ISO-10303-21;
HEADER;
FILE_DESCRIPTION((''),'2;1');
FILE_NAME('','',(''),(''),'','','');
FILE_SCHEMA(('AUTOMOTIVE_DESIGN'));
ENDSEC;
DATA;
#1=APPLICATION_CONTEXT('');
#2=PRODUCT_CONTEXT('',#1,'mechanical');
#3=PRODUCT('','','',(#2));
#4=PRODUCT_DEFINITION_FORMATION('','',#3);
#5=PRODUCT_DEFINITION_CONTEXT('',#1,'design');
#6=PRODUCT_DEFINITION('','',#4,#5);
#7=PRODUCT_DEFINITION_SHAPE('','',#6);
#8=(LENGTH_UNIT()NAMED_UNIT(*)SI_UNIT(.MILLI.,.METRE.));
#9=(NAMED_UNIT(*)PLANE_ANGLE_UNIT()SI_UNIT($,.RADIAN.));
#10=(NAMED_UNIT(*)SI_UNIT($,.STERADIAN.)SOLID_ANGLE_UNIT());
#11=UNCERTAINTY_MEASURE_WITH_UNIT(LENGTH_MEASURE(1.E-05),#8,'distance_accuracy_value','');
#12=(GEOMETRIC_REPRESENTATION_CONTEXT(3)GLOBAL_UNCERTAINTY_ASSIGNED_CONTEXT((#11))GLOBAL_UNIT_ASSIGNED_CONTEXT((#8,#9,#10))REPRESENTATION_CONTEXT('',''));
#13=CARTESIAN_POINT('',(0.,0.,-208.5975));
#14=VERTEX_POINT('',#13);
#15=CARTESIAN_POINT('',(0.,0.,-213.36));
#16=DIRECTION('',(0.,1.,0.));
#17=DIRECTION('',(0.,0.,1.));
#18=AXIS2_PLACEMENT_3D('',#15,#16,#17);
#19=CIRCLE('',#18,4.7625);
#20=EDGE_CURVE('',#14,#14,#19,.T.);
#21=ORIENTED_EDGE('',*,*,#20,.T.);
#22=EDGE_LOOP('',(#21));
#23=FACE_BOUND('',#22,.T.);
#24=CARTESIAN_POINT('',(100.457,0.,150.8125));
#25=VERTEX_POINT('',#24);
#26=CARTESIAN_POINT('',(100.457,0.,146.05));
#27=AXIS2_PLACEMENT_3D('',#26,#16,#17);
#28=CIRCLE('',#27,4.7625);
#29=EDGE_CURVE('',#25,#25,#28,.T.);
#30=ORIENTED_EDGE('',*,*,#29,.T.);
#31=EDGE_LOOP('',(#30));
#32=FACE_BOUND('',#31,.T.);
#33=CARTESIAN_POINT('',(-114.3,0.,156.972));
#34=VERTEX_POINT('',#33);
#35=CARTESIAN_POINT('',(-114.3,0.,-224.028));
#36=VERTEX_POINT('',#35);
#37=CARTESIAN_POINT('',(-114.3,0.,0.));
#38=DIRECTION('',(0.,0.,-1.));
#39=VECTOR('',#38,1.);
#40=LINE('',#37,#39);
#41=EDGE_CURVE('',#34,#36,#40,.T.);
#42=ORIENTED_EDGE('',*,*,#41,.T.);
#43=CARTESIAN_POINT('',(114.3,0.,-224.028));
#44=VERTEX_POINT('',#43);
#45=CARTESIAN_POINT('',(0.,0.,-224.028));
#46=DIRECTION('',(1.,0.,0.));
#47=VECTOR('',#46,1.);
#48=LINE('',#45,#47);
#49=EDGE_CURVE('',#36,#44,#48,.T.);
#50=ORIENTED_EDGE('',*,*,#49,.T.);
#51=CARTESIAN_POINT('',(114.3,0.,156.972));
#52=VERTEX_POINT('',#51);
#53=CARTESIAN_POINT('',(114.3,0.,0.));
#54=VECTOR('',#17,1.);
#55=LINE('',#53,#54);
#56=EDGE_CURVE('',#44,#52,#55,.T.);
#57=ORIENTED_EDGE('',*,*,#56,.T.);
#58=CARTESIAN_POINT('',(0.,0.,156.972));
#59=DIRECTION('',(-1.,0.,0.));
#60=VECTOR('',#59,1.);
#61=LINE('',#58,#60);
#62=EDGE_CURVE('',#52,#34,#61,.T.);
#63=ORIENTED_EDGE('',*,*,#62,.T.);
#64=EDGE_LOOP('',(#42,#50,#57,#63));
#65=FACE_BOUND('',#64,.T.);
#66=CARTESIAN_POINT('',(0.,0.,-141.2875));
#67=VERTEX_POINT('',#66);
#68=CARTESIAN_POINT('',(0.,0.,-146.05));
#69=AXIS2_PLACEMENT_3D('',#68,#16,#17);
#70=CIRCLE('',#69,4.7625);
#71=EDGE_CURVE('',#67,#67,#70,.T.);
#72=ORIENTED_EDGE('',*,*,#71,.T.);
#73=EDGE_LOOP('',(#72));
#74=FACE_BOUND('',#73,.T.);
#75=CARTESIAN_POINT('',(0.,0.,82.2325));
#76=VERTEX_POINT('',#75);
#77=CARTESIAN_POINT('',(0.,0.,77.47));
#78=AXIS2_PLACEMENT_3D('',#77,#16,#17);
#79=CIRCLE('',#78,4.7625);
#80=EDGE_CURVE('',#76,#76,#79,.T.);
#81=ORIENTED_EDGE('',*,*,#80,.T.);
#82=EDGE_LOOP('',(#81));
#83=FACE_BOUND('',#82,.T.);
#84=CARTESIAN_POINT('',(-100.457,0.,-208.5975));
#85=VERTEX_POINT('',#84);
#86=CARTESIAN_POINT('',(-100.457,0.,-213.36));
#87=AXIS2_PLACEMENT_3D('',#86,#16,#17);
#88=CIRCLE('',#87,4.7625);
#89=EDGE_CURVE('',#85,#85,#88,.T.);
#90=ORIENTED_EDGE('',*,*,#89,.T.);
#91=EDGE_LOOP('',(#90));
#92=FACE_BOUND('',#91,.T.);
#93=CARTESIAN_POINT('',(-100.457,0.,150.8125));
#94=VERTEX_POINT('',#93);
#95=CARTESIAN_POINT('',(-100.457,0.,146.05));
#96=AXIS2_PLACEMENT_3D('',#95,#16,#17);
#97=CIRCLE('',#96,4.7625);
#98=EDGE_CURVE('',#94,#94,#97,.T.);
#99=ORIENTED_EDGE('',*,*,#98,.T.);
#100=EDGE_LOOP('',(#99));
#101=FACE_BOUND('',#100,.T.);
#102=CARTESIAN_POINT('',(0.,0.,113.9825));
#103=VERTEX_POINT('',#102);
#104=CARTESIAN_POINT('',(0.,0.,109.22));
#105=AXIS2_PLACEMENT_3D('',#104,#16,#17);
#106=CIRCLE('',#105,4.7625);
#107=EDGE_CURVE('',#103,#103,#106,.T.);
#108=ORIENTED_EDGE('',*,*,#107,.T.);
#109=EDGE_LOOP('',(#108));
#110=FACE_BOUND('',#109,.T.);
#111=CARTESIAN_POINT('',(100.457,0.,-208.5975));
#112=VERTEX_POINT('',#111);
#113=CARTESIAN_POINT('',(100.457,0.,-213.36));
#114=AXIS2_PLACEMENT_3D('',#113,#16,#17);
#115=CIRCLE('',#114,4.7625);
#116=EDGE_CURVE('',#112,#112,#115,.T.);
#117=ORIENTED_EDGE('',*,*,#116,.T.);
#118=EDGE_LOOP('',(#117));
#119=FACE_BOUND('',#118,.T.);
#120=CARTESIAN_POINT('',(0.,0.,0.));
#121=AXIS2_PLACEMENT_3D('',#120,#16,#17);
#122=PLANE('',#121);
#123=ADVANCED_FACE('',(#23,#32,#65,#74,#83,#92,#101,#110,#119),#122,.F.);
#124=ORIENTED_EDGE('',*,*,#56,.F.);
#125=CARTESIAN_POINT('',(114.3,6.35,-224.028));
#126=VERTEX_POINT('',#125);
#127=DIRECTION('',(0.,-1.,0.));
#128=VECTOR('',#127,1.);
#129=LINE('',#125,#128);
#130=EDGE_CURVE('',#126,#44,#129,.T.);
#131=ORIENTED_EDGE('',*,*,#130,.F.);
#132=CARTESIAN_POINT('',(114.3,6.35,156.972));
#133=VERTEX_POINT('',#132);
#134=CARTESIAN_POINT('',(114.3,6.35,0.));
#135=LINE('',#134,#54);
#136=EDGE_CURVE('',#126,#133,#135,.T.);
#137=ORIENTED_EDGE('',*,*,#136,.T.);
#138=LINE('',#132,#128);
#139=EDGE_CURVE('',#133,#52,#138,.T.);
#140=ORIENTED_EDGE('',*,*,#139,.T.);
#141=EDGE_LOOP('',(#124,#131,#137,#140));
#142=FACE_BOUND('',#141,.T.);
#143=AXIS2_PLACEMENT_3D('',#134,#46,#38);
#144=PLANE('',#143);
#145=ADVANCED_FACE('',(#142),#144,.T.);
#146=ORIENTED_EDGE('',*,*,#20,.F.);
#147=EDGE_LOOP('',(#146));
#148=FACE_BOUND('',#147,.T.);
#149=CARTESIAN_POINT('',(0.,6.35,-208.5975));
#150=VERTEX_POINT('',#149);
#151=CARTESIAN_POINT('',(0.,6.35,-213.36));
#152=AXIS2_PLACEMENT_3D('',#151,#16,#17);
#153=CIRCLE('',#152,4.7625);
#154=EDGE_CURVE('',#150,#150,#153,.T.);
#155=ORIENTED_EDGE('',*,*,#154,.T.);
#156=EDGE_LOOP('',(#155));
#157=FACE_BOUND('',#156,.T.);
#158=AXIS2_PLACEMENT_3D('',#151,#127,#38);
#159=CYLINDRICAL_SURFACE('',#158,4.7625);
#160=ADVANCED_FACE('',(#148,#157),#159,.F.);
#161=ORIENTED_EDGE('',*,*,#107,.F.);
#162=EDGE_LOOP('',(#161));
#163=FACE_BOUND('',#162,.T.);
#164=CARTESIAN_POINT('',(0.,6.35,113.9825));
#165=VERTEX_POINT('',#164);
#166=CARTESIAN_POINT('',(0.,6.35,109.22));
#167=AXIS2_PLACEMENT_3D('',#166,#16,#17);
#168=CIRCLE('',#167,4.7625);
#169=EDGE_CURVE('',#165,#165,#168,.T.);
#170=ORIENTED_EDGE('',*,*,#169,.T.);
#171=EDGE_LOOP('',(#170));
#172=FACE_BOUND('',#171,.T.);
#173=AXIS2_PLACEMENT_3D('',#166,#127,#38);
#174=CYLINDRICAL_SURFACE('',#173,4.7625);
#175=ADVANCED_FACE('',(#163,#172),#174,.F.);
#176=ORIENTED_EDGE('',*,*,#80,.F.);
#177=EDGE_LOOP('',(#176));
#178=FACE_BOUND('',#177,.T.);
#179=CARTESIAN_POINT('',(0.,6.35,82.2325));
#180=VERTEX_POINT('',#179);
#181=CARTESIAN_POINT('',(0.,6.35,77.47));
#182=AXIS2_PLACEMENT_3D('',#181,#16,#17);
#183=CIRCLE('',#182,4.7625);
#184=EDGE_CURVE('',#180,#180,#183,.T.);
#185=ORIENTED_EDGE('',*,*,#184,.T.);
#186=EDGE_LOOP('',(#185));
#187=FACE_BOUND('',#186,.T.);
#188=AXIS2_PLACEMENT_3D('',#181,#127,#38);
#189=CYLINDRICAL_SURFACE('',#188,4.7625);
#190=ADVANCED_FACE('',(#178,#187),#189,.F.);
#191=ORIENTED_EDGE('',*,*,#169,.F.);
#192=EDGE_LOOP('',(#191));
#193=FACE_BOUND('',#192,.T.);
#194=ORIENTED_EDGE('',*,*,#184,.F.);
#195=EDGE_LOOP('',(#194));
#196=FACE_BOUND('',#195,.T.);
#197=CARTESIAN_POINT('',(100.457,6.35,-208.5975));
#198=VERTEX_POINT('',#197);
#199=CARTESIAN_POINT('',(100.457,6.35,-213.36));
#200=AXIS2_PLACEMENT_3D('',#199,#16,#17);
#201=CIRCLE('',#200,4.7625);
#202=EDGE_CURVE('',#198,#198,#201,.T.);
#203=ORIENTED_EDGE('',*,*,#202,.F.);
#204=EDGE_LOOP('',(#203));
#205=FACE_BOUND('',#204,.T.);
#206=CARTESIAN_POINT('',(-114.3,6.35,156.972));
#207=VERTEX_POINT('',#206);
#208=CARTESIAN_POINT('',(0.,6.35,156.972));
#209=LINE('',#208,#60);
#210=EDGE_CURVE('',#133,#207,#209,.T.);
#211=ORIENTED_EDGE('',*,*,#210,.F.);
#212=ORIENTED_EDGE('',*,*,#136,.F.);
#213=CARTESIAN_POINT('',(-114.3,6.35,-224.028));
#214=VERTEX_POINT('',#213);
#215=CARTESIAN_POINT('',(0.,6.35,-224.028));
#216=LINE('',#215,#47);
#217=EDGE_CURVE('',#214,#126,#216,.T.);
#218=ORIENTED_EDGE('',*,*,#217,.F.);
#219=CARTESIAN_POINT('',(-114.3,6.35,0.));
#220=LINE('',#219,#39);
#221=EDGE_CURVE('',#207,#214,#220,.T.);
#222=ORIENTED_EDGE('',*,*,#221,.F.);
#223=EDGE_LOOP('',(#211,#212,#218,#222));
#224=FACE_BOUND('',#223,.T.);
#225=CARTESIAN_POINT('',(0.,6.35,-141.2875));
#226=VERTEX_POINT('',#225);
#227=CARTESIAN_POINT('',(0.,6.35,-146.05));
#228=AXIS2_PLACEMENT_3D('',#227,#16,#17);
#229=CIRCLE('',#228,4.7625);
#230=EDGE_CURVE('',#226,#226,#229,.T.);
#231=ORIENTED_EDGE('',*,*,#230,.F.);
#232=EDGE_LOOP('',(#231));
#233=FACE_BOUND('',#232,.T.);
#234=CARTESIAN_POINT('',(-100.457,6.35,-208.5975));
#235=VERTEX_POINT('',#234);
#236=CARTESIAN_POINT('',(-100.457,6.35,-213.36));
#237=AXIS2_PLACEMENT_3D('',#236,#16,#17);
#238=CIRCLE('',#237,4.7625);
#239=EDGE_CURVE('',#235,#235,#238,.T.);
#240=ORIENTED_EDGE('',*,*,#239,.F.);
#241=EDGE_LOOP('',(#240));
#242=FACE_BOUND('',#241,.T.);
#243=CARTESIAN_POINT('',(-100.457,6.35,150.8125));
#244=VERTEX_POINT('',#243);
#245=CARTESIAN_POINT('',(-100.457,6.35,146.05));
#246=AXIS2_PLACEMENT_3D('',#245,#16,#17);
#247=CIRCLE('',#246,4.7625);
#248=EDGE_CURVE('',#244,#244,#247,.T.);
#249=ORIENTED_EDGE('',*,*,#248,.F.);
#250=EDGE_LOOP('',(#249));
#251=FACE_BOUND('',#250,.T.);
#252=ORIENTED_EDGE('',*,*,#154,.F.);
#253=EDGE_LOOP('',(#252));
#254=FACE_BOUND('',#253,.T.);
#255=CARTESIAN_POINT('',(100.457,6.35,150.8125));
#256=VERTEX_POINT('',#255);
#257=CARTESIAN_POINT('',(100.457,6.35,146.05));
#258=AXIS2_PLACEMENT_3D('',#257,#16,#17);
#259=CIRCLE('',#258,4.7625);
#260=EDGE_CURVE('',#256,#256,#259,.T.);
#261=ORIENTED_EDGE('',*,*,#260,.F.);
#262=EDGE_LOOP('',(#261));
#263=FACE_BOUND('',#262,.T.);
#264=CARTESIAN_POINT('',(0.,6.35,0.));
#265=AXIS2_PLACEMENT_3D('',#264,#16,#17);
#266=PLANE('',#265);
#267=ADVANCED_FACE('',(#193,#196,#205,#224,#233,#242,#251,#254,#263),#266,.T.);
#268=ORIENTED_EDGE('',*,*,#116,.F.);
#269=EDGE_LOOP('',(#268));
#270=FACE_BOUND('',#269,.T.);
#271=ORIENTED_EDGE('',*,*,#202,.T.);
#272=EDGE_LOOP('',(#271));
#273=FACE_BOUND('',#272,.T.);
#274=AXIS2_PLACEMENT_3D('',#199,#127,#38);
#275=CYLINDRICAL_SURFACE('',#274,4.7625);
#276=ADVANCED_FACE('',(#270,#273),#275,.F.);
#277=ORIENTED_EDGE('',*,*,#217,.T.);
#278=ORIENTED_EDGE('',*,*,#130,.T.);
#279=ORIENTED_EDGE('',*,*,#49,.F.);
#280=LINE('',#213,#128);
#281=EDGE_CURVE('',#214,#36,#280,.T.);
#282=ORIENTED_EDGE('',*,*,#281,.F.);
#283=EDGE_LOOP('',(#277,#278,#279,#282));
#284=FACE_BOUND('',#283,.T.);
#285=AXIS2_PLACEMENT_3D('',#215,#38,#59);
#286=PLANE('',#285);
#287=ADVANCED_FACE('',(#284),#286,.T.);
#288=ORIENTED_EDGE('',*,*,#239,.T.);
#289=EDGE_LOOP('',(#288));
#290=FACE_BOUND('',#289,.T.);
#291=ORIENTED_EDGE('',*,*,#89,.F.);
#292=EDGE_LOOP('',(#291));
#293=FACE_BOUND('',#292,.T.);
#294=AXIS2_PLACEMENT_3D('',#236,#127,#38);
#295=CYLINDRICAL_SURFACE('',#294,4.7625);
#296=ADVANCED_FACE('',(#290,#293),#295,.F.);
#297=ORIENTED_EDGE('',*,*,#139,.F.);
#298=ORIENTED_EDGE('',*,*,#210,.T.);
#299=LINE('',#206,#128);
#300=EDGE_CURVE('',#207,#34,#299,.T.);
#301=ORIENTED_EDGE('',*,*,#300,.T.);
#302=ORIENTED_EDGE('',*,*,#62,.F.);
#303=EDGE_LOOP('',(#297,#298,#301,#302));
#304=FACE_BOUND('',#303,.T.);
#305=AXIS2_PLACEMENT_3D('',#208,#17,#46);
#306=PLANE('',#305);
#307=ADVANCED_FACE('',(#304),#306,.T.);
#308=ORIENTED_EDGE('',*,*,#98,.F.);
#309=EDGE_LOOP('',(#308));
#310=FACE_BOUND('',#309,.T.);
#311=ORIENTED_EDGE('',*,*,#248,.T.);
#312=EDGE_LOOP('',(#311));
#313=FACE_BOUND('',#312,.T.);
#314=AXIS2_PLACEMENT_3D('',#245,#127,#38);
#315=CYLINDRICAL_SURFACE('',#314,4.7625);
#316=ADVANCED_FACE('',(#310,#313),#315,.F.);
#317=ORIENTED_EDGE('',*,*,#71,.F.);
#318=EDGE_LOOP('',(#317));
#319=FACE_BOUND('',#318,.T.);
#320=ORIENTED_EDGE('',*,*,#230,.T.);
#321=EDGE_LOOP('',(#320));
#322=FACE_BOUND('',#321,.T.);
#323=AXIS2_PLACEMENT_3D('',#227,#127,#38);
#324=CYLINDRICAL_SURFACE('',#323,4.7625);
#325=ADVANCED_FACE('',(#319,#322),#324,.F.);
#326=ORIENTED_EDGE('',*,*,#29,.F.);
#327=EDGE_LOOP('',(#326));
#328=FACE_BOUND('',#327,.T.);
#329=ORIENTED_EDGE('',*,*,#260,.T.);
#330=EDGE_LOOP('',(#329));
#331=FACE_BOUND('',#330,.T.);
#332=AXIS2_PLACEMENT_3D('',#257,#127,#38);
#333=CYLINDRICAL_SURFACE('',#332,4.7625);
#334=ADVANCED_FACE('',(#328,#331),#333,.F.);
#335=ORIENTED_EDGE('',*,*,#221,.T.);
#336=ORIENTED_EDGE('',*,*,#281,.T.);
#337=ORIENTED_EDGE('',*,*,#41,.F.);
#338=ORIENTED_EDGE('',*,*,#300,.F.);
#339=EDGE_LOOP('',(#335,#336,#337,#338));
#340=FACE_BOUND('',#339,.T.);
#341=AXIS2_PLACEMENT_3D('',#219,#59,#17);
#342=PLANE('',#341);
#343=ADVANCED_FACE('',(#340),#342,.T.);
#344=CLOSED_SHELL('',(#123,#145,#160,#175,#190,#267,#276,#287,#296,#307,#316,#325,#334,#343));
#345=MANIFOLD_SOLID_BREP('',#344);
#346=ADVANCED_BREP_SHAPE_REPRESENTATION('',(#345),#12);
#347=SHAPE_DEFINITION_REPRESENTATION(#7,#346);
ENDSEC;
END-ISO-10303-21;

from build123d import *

# Parameters (mm, degrees)
SKETCH1_W           = 228.6
SKETCH1_H           = 381
SKETCH1_R           = 4.7625
BOSS_EXTRUDE1_DEPTH = 6.35


with BuildPart() as part:
    # Sketch1 → Boss-Extrude1 (new body)
    with BuildSketch(Plane(origin=(0, 0, 0), x_dir=(1, 0, 0), z_dir=(0, 1, 0))):
        with Locations((0, 33.528)):
            Rectangle(SKETCH1_W, SKETCH1_H)
        with Locations(Location((0, 146.05, 0), (0, 0, 270))):
            Circle(SKETCH1_R, mode=Mode.SUBTRACT)
        with Locations(Location((-100.457, -146.05, 0), (0, 0, 270))):
            Circle(SKETCH1_R, mode=Mode.SUBTRACT)
        with Locations(Location((100.457, -146.05, 0), (0, 0, 270))):
            Circle(SKETCH1_R, mode=Mode.SUBTRACT)
        with Locations(Location((0, 213.36, 0), (0, 0, 270))):
            Circle(SKETCH1_R, mode=Mode.SUBTRACT)
        with Locations(Location((0, -109.22, 0), (0, 0, 270))):
            Circle(SKETCH1_R, mode=Mode.SUBTRACT)
        with Locations(Location((-100.457, 213.36, 0), (0, 0, 270))):
            Circle(SKETCH1_R, mode=Mode.SUBTRACT)
        with Locations(Location((100.457, 213.36, 0), (0, 0, 270))):
            Circle(SKETCH1_R, mode=Mode.SUBTRACT)
        with Locations(Location((0, -77.47, 0), (0, 0, 270))):
            Circle(SKETCH1_R, mode=Mode.SUBTRACT)
    extrude(amount=BOSS_EXTRUDE1_DEPTH)


solid = part.part
